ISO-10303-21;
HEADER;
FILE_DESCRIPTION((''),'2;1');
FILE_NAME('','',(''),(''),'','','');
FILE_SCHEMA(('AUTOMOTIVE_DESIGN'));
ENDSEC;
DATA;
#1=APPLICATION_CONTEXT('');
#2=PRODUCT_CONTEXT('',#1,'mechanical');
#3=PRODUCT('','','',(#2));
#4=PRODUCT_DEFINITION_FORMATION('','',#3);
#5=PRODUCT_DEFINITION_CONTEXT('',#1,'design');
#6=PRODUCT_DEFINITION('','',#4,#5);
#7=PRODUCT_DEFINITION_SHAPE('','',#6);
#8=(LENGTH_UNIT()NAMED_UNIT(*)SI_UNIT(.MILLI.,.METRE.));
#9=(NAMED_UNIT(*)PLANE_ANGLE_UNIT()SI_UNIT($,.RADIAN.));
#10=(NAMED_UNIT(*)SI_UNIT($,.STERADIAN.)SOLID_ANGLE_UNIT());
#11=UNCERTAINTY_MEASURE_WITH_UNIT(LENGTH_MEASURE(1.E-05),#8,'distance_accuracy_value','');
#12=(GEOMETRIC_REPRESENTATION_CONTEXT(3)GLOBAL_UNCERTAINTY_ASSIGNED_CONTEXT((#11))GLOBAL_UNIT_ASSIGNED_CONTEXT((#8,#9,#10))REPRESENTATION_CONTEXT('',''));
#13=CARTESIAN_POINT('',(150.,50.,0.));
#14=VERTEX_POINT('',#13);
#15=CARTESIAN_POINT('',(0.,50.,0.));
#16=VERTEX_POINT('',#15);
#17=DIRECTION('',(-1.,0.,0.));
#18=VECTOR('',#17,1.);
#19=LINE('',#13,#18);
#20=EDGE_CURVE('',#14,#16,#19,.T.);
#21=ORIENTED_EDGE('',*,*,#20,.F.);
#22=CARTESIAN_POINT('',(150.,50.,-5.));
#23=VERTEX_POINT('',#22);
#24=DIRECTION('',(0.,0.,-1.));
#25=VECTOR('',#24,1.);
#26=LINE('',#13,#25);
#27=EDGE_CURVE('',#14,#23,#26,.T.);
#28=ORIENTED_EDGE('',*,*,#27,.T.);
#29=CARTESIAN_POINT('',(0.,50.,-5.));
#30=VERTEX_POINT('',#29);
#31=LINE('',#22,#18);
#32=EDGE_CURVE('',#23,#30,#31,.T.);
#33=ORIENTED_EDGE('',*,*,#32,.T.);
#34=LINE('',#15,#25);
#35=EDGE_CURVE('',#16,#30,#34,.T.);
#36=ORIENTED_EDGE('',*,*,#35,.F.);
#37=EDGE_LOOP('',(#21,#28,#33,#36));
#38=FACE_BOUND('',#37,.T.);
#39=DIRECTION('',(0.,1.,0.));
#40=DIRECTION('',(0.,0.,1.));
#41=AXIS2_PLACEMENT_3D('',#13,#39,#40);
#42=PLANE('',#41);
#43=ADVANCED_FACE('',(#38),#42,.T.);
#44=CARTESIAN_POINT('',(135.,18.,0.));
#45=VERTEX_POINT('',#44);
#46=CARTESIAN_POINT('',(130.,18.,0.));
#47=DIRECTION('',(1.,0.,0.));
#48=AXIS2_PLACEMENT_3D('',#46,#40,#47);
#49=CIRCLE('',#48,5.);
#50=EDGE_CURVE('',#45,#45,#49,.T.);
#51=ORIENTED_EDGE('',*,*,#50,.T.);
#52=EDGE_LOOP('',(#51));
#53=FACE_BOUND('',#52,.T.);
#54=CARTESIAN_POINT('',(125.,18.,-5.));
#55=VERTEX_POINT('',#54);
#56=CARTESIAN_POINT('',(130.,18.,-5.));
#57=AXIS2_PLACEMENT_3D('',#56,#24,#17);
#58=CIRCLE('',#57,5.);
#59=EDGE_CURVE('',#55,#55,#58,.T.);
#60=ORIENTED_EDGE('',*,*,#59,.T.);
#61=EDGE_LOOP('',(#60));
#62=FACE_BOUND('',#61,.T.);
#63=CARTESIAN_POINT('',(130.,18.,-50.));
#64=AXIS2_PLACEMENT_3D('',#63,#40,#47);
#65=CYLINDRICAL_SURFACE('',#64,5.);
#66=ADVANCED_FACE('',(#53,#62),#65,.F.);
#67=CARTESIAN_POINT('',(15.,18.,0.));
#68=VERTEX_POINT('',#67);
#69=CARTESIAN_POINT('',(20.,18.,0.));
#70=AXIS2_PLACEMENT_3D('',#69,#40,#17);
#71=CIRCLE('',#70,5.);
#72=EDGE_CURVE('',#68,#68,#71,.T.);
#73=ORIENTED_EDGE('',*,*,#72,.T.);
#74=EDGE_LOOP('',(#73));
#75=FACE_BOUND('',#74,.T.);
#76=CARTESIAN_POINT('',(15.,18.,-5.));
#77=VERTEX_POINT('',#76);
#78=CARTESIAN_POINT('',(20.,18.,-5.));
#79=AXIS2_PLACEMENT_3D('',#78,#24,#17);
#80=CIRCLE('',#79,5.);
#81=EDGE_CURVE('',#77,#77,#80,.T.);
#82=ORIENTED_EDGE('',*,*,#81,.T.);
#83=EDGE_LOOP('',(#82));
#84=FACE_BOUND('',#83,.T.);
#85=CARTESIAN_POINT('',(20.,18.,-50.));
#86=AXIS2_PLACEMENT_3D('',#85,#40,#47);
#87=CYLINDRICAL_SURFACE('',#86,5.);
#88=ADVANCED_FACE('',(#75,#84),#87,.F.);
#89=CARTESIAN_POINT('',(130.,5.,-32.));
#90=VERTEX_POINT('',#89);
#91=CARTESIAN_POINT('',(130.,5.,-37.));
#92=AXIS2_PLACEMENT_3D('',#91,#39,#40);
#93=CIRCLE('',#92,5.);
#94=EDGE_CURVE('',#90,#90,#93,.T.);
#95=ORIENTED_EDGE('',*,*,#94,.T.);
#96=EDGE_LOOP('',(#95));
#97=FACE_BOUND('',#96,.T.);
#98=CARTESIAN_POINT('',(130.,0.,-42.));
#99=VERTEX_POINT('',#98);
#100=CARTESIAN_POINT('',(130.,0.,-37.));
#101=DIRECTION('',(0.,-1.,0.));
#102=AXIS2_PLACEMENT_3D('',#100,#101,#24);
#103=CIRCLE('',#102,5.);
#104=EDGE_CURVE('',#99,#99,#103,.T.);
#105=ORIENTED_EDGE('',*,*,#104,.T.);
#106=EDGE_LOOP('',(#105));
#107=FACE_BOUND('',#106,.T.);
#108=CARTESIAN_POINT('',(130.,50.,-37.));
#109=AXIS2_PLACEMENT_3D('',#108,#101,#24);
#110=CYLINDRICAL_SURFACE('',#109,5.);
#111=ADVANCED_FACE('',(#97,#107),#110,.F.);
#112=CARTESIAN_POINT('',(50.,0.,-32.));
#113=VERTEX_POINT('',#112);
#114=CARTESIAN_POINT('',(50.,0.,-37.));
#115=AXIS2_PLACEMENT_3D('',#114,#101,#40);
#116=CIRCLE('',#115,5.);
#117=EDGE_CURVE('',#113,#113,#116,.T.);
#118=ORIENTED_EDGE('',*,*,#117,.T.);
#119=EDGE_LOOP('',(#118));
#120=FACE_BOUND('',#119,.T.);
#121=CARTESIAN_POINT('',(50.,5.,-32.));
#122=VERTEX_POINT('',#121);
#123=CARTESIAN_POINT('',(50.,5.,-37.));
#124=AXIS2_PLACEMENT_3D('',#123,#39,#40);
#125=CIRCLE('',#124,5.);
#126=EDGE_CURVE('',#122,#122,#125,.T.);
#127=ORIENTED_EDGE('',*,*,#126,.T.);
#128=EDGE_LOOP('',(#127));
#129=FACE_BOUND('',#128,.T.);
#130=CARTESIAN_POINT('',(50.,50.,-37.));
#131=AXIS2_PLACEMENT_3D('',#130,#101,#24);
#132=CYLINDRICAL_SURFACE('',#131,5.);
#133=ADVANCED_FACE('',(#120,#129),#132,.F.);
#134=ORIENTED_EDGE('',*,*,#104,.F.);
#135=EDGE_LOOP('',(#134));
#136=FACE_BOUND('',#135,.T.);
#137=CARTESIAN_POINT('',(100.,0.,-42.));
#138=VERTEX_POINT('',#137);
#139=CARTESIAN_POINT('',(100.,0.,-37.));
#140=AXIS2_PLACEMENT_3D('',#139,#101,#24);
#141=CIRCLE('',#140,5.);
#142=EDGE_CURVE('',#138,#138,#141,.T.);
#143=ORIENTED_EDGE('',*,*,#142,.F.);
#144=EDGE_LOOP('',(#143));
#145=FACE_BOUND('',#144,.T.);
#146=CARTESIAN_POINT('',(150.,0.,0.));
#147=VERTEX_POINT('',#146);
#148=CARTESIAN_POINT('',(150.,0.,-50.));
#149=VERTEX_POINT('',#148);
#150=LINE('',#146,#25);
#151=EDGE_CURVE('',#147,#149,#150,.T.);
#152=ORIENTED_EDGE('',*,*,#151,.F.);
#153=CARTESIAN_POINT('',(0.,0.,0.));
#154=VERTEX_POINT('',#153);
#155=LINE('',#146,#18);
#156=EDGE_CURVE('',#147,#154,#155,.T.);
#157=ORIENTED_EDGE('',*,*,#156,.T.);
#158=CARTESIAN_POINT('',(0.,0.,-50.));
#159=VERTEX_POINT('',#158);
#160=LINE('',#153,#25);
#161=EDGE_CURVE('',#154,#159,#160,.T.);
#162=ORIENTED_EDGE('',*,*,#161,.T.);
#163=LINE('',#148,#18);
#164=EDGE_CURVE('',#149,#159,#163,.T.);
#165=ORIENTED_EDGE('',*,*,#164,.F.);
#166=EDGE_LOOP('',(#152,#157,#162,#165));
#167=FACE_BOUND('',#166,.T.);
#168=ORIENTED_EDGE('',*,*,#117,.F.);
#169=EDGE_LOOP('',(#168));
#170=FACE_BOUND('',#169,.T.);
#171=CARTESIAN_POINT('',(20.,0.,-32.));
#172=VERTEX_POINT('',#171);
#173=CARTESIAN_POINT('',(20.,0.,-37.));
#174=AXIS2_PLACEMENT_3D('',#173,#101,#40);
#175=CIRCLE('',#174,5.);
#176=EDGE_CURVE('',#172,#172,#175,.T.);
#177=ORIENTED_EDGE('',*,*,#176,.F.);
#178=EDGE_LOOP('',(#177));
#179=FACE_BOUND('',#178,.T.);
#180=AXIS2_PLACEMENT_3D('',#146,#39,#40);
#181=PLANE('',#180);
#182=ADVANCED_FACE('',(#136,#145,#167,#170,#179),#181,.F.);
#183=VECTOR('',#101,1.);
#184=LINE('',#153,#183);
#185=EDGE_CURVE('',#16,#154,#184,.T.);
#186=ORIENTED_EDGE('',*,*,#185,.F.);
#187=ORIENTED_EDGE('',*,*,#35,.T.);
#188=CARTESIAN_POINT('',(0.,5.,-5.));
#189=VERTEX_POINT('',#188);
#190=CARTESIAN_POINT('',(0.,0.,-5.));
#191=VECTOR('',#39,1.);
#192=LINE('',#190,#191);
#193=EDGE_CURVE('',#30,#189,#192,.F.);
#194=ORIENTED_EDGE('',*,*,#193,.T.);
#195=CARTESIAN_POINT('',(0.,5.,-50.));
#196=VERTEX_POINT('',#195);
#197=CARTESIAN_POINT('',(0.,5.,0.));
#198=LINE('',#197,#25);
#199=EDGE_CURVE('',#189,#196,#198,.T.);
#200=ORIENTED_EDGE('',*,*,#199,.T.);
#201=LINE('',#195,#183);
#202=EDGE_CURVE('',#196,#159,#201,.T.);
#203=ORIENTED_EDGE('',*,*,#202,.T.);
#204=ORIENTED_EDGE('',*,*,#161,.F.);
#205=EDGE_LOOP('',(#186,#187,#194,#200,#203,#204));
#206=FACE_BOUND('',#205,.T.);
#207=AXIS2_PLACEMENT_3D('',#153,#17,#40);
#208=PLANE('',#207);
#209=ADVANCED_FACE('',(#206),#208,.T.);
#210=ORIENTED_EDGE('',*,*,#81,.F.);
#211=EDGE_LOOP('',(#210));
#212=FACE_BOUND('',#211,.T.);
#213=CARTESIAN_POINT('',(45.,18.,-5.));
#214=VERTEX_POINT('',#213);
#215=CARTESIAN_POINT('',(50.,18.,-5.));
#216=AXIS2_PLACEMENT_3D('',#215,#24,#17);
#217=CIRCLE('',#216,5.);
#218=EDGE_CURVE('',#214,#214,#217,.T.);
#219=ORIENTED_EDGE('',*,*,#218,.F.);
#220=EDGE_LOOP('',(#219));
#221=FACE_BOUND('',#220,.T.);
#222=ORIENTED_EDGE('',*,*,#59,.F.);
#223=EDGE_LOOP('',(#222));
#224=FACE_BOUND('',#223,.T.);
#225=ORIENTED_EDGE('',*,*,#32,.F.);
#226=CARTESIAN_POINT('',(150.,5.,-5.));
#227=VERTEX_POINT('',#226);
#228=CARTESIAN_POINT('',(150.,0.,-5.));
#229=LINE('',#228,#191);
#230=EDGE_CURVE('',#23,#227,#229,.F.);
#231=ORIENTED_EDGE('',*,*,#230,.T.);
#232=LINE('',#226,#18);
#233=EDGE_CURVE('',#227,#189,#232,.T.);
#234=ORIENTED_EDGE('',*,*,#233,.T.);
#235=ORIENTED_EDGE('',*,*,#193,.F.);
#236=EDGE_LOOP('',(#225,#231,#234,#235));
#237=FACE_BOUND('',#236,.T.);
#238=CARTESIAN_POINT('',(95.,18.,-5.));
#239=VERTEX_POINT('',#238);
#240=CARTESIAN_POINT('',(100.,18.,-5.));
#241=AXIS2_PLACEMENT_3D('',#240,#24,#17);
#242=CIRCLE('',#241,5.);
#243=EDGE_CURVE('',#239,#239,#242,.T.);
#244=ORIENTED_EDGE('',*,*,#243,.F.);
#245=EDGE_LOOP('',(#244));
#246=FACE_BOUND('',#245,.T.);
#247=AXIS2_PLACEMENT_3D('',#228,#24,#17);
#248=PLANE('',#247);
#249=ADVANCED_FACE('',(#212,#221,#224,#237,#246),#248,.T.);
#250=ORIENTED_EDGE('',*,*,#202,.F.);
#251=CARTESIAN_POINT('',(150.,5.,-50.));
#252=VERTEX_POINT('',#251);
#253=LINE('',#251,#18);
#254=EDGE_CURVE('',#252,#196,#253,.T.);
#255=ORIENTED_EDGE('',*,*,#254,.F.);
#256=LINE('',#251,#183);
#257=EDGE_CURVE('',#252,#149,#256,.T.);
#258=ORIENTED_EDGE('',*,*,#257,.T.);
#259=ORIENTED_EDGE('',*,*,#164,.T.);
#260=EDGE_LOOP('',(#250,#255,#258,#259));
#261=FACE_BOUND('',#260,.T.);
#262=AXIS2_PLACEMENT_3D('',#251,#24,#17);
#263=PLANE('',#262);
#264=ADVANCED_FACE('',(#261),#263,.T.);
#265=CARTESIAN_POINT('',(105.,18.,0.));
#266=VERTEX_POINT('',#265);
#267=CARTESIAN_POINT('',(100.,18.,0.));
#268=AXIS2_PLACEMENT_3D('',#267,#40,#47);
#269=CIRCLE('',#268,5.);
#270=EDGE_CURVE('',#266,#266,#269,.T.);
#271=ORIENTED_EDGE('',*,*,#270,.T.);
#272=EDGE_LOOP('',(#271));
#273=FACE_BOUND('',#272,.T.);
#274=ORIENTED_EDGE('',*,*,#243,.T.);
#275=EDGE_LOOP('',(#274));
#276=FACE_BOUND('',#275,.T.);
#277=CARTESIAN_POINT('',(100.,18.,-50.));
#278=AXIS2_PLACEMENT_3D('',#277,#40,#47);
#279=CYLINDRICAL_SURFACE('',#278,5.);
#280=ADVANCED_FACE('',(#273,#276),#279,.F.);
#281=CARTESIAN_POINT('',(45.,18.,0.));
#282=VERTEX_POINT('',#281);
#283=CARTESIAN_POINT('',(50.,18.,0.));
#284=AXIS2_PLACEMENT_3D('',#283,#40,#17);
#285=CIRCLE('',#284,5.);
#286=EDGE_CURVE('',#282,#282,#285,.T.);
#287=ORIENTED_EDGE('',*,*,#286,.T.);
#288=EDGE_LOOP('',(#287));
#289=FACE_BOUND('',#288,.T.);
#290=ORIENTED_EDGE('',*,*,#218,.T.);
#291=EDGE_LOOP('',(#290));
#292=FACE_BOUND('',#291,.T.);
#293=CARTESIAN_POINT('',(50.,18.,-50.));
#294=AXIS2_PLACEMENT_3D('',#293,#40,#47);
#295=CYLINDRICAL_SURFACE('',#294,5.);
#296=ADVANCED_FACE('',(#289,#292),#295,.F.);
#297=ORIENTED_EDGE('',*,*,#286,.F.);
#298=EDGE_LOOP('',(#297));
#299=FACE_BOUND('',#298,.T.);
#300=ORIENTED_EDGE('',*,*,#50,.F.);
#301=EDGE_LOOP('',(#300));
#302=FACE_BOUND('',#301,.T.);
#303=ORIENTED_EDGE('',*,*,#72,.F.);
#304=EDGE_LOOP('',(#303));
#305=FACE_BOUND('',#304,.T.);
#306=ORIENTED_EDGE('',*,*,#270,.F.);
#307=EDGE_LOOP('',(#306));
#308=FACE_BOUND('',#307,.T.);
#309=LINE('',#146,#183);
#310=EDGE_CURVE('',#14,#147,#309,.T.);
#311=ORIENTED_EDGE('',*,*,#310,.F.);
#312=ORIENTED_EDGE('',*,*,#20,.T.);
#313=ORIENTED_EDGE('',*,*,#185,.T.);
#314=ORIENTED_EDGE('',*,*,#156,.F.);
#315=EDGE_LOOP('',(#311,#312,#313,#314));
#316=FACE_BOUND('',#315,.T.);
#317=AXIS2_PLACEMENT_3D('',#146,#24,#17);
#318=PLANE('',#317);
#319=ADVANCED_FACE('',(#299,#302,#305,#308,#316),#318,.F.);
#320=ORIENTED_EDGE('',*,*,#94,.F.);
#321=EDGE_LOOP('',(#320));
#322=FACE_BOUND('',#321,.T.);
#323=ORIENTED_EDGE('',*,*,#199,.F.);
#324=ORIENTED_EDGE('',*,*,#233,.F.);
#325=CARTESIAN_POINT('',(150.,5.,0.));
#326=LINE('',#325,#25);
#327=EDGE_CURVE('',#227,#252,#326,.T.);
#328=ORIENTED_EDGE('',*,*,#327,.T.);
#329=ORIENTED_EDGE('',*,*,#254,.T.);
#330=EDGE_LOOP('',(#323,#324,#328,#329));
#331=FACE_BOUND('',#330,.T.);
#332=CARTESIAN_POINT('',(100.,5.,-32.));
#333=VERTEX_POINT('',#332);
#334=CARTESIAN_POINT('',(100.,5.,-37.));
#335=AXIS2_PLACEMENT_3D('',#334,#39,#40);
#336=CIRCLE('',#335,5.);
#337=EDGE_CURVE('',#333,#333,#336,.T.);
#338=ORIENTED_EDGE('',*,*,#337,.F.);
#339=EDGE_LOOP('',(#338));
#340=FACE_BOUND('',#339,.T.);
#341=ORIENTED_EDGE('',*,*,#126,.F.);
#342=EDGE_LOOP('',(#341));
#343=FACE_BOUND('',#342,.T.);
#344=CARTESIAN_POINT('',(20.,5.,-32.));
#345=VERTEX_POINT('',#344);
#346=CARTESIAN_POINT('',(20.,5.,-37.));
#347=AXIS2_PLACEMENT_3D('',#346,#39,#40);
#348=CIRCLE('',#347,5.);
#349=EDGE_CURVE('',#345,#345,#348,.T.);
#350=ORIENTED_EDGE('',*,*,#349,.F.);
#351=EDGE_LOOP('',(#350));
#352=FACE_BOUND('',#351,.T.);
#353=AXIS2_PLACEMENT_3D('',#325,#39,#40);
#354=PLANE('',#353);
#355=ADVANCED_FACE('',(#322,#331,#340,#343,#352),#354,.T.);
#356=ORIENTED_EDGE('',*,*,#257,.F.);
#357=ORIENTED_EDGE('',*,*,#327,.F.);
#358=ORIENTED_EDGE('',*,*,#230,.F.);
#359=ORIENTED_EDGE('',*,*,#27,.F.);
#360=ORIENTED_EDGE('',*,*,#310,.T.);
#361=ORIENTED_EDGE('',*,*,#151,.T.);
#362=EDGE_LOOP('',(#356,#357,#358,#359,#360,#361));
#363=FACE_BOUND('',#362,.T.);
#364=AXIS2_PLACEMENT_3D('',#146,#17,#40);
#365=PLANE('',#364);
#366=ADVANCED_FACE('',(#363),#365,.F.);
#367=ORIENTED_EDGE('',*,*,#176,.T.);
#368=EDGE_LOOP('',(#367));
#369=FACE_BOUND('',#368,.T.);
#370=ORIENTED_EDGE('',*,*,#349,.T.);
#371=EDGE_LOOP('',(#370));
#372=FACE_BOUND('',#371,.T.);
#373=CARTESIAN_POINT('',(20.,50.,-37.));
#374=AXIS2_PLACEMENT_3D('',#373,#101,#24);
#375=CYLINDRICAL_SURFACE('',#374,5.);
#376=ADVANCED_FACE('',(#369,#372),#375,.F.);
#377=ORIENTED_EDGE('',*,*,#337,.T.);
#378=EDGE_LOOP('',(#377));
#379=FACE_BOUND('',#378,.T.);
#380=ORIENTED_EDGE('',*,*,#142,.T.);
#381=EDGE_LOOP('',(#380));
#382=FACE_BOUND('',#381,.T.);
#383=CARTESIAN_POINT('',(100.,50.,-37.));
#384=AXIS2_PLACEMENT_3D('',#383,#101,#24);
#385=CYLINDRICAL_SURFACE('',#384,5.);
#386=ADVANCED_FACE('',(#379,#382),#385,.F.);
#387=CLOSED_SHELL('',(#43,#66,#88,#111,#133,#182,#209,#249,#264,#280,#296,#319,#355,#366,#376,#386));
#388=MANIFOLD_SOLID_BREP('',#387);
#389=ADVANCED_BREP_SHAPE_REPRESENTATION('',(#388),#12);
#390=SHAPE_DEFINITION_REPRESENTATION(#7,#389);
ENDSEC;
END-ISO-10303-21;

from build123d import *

# Parameters (mm, degrees)
EXTRUDE_1_DEPTH     = 150
SKETCH_2_R          = 5
CUT_EXTRUDE_1_DEPTH = 51
SKETCH_3_R          = 5
CUT_EXTRUDE_3_DEPTH = 51


with BuildPart() as part:
    # Эскиз1 → Вытянуть-Тонкостенный1 (new body)
    with BuildSketch(Plane(origin=(0, 0, 0), x_dir=(0, 0, -1), z_dir=(1, 0, 0))):
        Polygon((50, 0), (0, 0), (0, 50), (5, 50), (5, 5), (50, 5), align=None)
    extrude(amount=EXTRUDE_1_DEPTH)

    # Эскиз2 → Вырез-Вытянуть1 (cut, through all)
    with BuildSketch(Plane.XZ):
        with Locations((130, -37)):
            Circle(SKETCH_2_R)
        with Locations((100, -37)):
            Circle(SKETCH_2_R)
        with Locations((50, -37)):
            Circle(SKETCH_2_R)
        with Locations((20, -37)):
            Circle(SKETCH_2_R)
    extrude(amount=-CUT_EXTRUDE_1_DEPTH, mode=Mode.SUBTRACT)

    # Эскиз3 → Вырез-Вытянуть3 (cut, through all)
    with BuildSketch(Plane.XY):
        with Locations((130, 18)):
            Circle(SKETCH_3_R)
        with Locations((100, 18)):
            Circle(SKETCH_3_R)
        with Locations((50, 18)):
            Circle(SKETCH_3_R)
        with Locations((20, 18)):
            Circle(SKETCH_3_R)
    extrude(amount=-CUT_EXTRUDE_3_DEPTH, mode=Mode.SUBTRACT)


solid = part.part
